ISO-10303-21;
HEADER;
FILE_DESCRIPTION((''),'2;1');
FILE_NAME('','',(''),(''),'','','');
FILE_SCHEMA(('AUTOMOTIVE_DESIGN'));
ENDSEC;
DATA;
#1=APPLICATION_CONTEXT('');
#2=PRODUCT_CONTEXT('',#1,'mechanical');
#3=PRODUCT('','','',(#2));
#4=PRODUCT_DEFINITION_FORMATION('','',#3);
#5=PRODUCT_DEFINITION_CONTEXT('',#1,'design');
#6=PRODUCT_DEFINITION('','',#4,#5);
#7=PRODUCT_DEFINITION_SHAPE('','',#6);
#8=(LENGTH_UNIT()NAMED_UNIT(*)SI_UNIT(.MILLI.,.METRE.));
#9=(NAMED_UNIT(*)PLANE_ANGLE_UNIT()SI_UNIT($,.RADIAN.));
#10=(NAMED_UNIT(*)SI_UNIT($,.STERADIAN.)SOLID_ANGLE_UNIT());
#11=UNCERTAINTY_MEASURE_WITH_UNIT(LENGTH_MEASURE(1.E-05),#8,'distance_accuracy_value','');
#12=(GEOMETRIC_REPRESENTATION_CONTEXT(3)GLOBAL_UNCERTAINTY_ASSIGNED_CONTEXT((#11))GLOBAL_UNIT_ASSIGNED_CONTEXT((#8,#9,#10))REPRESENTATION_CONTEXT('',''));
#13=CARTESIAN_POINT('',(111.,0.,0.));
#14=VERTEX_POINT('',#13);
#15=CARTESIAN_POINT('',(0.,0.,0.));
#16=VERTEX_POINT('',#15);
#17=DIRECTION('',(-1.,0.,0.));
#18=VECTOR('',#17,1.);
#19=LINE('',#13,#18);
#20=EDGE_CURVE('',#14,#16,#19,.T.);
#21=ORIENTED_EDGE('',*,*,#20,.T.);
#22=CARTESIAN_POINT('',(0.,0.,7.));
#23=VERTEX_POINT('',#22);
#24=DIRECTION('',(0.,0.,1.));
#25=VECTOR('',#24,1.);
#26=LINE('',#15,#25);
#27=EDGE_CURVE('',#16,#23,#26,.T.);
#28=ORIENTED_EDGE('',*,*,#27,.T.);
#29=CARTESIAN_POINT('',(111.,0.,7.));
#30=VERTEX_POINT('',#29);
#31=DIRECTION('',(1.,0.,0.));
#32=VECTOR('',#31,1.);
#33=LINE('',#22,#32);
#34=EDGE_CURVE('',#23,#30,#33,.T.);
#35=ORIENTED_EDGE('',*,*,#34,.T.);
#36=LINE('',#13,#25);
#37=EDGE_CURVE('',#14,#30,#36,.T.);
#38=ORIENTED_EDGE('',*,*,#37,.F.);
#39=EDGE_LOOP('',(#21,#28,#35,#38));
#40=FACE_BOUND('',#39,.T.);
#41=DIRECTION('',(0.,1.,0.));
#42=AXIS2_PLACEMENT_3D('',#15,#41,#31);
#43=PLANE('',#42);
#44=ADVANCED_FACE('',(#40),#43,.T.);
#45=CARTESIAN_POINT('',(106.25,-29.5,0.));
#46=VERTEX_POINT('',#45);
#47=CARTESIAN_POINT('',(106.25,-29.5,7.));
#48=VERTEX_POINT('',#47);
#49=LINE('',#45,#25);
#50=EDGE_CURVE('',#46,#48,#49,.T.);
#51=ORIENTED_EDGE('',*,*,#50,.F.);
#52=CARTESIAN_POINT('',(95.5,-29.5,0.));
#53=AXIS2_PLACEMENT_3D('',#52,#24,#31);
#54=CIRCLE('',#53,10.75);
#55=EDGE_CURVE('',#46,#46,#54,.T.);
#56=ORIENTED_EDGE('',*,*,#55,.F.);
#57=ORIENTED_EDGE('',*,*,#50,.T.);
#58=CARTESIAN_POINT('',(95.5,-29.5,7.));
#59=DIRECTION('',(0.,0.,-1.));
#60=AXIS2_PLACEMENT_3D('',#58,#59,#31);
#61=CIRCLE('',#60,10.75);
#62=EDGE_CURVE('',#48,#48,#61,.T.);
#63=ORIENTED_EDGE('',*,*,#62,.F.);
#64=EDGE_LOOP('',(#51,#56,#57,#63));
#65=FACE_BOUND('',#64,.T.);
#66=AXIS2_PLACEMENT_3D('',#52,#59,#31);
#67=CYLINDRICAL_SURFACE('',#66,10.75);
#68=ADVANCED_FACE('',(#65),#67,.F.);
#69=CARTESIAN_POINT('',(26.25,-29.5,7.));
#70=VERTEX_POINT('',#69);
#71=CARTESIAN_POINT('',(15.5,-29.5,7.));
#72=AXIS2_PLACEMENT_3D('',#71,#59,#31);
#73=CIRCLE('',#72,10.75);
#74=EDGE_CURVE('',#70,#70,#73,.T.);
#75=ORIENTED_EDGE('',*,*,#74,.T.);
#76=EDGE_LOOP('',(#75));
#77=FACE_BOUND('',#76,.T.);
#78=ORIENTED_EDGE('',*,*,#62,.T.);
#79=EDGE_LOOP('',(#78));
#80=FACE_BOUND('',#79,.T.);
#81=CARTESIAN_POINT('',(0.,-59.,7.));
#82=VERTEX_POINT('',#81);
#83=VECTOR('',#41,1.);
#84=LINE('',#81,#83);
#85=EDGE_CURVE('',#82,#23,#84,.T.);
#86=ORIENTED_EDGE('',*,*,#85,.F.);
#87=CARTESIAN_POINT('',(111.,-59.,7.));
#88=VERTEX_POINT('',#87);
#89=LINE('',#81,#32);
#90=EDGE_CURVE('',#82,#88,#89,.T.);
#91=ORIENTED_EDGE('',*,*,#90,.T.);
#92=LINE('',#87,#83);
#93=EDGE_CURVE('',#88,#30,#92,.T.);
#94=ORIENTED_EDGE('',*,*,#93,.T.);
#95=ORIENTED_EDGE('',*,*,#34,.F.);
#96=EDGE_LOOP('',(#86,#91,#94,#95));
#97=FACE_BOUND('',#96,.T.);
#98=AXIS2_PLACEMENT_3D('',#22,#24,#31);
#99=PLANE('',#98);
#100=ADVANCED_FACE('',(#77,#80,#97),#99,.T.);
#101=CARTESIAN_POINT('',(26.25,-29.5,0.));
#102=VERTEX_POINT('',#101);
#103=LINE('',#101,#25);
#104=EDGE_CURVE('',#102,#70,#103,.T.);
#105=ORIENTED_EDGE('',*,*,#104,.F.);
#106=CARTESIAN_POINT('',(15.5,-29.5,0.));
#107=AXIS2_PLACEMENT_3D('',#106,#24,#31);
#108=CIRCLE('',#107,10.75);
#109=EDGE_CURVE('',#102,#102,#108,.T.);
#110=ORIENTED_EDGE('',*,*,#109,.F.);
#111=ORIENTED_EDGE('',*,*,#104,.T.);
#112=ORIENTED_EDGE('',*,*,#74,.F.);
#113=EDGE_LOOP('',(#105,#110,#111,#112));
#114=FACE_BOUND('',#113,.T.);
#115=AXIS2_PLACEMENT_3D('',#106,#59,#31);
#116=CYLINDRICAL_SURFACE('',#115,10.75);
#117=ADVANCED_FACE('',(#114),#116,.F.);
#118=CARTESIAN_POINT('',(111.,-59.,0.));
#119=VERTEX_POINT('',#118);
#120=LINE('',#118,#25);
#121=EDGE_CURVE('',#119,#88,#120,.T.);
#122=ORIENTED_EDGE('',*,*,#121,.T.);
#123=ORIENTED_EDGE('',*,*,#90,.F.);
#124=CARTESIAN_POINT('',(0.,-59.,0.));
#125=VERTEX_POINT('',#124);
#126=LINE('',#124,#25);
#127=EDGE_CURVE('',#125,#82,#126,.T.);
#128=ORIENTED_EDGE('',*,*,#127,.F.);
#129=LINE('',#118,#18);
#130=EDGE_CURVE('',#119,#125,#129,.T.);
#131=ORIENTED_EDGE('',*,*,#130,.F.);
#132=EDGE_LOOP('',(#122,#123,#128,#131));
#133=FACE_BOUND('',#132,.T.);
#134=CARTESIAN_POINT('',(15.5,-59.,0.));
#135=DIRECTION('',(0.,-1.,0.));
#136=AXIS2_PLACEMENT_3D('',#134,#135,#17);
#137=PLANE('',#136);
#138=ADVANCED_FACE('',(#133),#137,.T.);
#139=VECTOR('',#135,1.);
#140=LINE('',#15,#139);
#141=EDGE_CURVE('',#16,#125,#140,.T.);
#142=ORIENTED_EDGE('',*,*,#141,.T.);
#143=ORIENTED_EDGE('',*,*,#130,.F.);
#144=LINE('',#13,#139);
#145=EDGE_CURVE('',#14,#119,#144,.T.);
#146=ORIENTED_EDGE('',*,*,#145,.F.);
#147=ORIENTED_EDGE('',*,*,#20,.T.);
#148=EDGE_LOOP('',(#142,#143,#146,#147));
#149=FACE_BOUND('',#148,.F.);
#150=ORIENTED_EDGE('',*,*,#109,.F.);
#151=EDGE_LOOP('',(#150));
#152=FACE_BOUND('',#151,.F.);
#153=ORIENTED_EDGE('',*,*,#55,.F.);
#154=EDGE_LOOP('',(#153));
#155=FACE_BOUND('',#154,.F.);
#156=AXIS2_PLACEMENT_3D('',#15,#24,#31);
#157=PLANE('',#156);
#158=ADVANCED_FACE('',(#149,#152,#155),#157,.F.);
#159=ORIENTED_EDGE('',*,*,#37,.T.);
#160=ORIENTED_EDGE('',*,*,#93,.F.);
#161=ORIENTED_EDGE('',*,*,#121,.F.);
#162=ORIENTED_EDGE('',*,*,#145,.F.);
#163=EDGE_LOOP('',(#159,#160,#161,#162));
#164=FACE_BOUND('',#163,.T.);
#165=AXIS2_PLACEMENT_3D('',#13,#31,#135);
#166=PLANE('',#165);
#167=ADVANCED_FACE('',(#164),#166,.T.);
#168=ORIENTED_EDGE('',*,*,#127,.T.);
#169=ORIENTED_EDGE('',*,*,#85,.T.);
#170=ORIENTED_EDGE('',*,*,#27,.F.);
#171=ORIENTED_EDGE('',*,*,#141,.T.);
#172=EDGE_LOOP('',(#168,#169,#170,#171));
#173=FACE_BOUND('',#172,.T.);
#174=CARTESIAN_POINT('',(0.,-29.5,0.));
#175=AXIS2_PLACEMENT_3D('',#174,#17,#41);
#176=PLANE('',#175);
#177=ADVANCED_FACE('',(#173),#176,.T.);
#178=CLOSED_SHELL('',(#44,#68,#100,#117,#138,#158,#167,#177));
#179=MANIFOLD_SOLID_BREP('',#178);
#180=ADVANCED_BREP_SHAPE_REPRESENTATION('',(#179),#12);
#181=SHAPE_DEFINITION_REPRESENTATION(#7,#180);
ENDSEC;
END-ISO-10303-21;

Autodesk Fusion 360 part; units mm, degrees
sketch "Sketch1" plane through (0, 0, 0) normal (0, 0, 1) x (1, 0, 0)
  line L0 (0, 0) -> (111, 0)
  line L1 (111, 0) -> (111, -59)
  line L2 (111, -59) -> (0, -59)
  line L3 (0, -59) -> (0, 0)
  line L4 (95.5, 0) -> (95.5, -59)
  line L5 (15.5, -59) -> (15.5, 0)
  line L6 (0, -29.5) -> (111, -29.5)
  circle A0 centre (95.5, -29.5) radius 10.75
  circle A1 centre (15.5, -29.5) radius 10.75
  dimension "d1" = 111
  dimension "d2" = 59
  dimension "d3" = 15.5
  dimension "d4" = 15.5
  dimension "d5" = 29.5
  dimension "d6" = 21.5
  dimension "d7" = 21.5
extrude "Extrude1" add sketch "Sketch1" along normal blind 7 contours L0 L3 L5 L6 A1 | L0 L4 L5 L6 A0 A1 | L2 L3 L5 L6 A1 | L0 L1 L4 L6 A0 | L2 L4 L5 L6 A0 A1 | L1 L2 L4 L6 A0
